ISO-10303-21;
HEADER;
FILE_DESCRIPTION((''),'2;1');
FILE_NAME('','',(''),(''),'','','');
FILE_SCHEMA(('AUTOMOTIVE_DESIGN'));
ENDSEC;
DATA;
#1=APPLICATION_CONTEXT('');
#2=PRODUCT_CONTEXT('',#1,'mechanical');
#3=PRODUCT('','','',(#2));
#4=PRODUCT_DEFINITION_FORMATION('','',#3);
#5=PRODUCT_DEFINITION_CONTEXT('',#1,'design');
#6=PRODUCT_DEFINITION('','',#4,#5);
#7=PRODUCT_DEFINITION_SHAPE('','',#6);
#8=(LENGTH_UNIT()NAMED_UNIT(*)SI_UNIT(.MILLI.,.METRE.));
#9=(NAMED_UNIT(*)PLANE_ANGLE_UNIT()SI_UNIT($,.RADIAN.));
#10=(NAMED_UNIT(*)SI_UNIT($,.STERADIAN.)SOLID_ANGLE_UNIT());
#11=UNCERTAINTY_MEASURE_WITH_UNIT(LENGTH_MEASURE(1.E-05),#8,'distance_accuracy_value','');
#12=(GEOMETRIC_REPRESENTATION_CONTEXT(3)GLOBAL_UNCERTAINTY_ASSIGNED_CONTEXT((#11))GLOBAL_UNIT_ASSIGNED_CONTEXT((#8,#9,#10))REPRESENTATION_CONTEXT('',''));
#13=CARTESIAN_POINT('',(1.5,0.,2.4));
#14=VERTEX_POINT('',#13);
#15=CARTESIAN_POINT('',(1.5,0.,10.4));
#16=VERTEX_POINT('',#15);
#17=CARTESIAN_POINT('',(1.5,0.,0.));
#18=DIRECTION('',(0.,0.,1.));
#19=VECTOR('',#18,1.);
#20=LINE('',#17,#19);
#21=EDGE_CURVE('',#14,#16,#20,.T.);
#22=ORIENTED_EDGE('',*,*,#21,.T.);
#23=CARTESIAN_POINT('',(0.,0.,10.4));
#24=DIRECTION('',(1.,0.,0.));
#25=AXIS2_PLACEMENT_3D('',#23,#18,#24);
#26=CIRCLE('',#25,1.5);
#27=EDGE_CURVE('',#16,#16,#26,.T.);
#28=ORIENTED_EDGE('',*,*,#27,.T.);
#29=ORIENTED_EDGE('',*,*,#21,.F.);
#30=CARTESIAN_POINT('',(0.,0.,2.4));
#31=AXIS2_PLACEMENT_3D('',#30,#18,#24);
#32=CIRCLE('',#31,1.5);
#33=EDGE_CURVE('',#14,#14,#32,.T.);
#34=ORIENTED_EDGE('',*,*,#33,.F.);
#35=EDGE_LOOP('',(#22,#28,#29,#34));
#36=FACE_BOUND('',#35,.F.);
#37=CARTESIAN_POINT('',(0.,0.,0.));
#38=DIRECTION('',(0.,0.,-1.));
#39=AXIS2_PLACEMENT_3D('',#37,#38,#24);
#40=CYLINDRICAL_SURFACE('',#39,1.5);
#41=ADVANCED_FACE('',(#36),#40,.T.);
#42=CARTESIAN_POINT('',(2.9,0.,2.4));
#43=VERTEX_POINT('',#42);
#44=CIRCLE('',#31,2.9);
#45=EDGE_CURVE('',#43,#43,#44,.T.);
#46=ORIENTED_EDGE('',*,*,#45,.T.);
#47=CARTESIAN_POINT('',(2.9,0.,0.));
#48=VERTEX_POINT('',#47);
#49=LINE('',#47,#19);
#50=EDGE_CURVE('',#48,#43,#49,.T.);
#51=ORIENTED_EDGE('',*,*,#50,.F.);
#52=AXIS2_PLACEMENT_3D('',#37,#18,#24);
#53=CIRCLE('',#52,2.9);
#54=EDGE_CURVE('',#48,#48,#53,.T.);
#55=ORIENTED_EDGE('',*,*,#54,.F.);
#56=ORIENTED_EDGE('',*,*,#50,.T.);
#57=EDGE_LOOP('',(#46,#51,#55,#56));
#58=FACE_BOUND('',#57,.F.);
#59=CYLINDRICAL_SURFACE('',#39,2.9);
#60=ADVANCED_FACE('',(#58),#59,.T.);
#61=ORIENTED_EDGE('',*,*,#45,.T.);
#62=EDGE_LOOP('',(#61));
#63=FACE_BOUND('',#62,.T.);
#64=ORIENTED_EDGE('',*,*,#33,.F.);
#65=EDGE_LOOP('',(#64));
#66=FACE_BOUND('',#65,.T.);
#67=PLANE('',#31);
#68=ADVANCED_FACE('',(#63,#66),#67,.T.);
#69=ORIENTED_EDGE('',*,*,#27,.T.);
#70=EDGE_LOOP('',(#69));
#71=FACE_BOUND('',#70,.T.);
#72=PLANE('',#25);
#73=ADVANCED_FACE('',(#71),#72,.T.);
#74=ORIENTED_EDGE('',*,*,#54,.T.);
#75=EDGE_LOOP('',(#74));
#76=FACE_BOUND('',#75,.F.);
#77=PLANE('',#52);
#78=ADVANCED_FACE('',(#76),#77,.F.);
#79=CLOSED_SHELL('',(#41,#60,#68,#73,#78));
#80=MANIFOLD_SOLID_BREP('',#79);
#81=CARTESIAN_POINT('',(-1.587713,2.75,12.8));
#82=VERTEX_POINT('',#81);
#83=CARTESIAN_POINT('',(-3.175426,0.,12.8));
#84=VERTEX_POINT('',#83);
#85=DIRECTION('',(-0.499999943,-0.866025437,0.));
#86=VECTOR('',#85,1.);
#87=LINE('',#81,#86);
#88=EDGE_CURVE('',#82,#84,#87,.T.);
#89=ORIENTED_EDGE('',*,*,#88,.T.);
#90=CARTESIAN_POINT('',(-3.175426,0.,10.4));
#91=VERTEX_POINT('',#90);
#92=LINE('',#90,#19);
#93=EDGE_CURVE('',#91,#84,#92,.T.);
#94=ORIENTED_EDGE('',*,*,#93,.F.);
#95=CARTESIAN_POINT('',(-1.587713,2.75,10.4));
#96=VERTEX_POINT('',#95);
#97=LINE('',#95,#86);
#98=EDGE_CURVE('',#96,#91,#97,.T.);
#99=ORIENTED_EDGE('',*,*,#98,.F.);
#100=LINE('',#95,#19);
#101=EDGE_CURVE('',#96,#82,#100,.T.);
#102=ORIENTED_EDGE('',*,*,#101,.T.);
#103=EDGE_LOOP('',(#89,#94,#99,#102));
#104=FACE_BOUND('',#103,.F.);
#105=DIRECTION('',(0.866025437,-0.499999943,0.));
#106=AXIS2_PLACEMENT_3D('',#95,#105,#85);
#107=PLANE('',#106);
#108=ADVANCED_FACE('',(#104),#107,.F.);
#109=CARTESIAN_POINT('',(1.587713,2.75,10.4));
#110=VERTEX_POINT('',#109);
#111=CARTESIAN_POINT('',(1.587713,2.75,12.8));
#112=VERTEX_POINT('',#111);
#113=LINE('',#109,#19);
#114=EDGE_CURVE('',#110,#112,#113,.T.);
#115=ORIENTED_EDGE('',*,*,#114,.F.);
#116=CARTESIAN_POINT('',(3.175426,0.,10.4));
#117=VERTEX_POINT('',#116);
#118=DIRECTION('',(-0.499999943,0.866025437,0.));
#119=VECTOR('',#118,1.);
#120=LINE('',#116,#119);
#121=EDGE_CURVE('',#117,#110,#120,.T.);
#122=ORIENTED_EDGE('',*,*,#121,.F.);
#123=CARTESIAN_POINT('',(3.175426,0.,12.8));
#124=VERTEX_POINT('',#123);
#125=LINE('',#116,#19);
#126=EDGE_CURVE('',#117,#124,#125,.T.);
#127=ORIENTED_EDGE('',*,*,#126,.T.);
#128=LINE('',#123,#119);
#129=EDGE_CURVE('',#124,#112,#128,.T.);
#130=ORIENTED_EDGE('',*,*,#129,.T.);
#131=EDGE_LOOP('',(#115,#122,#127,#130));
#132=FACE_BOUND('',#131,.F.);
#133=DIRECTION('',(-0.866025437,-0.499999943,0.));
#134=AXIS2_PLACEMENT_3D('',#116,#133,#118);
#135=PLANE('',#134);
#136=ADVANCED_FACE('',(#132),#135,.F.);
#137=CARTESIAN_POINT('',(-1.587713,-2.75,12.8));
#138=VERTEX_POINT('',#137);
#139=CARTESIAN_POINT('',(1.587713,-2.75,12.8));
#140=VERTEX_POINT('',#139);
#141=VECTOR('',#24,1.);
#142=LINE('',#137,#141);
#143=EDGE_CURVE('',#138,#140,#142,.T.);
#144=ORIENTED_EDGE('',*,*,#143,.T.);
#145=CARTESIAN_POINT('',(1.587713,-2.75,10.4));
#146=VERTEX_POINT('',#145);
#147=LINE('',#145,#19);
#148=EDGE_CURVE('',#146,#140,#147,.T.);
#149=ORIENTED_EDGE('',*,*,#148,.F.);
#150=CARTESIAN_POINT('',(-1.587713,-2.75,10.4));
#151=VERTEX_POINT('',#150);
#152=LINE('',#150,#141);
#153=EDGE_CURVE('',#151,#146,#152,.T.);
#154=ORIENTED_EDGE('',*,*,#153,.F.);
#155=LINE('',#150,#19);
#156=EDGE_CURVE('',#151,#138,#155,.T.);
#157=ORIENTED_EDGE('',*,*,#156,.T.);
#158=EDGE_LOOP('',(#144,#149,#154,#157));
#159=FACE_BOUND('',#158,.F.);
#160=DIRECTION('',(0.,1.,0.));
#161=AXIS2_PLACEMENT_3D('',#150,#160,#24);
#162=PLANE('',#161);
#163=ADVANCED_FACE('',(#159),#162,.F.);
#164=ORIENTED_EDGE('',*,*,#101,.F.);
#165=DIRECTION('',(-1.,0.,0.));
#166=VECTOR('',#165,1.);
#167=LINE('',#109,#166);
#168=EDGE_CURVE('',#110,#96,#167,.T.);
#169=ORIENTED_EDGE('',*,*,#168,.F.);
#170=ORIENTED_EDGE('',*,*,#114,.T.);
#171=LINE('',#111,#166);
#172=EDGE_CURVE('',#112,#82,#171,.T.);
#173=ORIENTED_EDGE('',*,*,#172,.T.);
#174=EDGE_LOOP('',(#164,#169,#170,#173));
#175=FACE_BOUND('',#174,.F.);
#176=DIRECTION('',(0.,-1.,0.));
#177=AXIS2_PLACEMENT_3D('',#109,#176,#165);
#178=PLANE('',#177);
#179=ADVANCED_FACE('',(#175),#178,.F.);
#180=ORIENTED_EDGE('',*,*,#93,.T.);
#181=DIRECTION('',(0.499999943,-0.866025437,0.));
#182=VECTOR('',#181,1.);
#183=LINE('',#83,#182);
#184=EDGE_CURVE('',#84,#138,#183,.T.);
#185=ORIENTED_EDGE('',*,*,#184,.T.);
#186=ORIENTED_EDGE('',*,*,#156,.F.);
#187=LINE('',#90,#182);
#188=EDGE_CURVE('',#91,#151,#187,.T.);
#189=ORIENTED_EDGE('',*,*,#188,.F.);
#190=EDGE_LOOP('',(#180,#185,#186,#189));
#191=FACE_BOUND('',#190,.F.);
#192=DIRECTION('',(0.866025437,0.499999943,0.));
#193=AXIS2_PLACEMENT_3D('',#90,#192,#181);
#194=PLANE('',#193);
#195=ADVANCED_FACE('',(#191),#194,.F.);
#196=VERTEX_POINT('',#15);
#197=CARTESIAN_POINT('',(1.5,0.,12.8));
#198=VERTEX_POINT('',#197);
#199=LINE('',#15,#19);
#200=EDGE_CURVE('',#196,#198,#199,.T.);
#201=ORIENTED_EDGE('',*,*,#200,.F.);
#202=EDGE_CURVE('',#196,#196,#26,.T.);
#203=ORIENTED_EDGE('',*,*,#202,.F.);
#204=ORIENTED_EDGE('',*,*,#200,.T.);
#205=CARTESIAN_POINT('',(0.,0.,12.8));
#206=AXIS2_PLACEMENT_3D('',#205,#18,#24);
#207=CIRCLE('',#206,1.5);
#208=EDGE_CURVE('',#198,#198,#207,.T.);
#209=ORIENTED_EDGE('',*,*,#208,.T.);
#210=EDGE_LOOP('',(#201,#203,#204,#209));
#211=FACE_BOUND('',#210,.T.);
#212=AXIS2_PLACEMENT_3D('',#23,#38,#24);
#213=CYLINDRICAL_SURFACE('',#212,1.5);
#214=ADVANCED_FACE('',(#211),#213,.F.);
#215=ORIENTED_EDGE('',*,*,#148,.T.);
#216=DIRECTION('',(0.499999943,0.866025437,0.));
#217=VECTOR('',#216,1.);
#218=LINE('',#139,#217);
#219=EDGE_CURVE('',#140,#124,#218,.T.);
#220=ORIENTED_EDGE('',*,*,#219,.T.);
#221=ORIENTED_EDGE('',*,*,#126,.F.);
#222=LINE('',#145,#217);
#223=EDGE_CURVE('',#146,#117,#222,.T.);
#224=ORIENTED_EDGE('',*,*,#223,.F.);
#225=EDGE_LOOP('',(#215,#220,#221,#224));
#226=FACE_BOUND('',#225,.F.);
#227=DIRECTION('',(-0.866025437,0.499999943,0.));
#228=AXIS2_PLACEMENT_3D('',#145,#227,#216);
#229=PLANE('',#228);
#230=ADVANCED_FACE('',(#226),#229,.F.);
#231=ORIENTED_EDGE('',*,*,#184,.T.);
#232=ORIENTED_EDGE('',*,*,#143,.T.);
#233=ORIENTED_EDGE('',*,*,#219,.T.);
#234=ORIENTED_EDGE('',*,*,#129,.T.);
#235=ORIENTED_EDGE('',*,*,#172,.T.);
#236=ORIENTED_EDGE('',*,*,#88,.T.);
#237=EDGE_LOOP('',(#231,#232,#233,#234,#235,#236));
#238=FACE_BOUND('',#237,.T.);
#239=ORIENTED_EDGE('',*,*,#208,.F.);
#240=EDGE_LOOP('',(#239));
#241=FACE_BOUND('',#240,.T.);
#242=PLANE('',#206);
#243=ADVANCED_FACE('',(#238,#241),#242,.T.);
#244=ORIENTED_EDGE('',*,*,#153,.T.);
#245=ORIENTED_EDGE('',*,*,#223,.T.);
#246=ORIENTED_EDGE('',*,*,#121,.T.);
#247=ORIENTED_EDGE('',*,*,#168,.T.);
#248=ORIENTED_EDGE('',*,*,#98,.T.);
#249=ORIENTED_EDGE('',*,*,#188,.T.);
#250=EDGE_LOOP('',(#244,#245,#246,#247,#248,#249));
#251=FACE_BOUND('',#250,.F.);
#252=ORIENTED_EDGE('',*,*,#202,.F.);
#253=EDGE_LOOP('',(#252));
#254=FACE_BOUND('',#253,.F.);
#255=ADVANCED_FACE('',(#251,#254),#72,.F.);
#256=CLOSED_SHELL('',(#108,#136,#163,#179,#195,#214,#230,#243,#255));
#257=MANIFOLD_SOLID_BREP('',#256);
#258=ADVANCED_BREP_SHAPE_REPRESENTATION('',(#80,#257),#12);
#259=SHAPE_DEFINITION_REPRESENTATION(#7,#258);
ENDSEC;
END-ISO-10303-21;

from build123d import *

# Parameters (mm, degrees)
F0_R     = 1.5
F1_DEPTH = 10.4
F0_R_2   = 2.9
F2_DEPTH = 2.4
F3_R     = 1.5
F4_DEPTH = 2.4


with BuildPart() as f1:
    # F0 (on Top) → F1 (new body)
    with BuildSketch(Plane.XY):
        Circle(F0_R)
    extrude(amount=F1_DEPTH)

    # F0 (on Top) → F2 (join)
    with BuildSketch(Plane.XY):
        Circle(F0_R_2)
        Circle(F0_R, mode=Mode.SUBTRACT)
    extrude(amount=F2_DEPTH)


with BuildPart() as f4:
    # F3 (on face) → F4 (new body)
    with BuildSketch(Plane.XY.offset(10.4)):
        Polygon((3.175426, 0), (1.587713, 2.75), (-1.587713, 2.75), (-3.175426, 0), (-1.587713, -2.75), (1.587713, -2.75), align=None)
        Circle(F3_R, mode=Mode.SUBTRACT)
    extrude(amount=F4_DEPTH)


solid = Compound([f1.part, f4.part])
